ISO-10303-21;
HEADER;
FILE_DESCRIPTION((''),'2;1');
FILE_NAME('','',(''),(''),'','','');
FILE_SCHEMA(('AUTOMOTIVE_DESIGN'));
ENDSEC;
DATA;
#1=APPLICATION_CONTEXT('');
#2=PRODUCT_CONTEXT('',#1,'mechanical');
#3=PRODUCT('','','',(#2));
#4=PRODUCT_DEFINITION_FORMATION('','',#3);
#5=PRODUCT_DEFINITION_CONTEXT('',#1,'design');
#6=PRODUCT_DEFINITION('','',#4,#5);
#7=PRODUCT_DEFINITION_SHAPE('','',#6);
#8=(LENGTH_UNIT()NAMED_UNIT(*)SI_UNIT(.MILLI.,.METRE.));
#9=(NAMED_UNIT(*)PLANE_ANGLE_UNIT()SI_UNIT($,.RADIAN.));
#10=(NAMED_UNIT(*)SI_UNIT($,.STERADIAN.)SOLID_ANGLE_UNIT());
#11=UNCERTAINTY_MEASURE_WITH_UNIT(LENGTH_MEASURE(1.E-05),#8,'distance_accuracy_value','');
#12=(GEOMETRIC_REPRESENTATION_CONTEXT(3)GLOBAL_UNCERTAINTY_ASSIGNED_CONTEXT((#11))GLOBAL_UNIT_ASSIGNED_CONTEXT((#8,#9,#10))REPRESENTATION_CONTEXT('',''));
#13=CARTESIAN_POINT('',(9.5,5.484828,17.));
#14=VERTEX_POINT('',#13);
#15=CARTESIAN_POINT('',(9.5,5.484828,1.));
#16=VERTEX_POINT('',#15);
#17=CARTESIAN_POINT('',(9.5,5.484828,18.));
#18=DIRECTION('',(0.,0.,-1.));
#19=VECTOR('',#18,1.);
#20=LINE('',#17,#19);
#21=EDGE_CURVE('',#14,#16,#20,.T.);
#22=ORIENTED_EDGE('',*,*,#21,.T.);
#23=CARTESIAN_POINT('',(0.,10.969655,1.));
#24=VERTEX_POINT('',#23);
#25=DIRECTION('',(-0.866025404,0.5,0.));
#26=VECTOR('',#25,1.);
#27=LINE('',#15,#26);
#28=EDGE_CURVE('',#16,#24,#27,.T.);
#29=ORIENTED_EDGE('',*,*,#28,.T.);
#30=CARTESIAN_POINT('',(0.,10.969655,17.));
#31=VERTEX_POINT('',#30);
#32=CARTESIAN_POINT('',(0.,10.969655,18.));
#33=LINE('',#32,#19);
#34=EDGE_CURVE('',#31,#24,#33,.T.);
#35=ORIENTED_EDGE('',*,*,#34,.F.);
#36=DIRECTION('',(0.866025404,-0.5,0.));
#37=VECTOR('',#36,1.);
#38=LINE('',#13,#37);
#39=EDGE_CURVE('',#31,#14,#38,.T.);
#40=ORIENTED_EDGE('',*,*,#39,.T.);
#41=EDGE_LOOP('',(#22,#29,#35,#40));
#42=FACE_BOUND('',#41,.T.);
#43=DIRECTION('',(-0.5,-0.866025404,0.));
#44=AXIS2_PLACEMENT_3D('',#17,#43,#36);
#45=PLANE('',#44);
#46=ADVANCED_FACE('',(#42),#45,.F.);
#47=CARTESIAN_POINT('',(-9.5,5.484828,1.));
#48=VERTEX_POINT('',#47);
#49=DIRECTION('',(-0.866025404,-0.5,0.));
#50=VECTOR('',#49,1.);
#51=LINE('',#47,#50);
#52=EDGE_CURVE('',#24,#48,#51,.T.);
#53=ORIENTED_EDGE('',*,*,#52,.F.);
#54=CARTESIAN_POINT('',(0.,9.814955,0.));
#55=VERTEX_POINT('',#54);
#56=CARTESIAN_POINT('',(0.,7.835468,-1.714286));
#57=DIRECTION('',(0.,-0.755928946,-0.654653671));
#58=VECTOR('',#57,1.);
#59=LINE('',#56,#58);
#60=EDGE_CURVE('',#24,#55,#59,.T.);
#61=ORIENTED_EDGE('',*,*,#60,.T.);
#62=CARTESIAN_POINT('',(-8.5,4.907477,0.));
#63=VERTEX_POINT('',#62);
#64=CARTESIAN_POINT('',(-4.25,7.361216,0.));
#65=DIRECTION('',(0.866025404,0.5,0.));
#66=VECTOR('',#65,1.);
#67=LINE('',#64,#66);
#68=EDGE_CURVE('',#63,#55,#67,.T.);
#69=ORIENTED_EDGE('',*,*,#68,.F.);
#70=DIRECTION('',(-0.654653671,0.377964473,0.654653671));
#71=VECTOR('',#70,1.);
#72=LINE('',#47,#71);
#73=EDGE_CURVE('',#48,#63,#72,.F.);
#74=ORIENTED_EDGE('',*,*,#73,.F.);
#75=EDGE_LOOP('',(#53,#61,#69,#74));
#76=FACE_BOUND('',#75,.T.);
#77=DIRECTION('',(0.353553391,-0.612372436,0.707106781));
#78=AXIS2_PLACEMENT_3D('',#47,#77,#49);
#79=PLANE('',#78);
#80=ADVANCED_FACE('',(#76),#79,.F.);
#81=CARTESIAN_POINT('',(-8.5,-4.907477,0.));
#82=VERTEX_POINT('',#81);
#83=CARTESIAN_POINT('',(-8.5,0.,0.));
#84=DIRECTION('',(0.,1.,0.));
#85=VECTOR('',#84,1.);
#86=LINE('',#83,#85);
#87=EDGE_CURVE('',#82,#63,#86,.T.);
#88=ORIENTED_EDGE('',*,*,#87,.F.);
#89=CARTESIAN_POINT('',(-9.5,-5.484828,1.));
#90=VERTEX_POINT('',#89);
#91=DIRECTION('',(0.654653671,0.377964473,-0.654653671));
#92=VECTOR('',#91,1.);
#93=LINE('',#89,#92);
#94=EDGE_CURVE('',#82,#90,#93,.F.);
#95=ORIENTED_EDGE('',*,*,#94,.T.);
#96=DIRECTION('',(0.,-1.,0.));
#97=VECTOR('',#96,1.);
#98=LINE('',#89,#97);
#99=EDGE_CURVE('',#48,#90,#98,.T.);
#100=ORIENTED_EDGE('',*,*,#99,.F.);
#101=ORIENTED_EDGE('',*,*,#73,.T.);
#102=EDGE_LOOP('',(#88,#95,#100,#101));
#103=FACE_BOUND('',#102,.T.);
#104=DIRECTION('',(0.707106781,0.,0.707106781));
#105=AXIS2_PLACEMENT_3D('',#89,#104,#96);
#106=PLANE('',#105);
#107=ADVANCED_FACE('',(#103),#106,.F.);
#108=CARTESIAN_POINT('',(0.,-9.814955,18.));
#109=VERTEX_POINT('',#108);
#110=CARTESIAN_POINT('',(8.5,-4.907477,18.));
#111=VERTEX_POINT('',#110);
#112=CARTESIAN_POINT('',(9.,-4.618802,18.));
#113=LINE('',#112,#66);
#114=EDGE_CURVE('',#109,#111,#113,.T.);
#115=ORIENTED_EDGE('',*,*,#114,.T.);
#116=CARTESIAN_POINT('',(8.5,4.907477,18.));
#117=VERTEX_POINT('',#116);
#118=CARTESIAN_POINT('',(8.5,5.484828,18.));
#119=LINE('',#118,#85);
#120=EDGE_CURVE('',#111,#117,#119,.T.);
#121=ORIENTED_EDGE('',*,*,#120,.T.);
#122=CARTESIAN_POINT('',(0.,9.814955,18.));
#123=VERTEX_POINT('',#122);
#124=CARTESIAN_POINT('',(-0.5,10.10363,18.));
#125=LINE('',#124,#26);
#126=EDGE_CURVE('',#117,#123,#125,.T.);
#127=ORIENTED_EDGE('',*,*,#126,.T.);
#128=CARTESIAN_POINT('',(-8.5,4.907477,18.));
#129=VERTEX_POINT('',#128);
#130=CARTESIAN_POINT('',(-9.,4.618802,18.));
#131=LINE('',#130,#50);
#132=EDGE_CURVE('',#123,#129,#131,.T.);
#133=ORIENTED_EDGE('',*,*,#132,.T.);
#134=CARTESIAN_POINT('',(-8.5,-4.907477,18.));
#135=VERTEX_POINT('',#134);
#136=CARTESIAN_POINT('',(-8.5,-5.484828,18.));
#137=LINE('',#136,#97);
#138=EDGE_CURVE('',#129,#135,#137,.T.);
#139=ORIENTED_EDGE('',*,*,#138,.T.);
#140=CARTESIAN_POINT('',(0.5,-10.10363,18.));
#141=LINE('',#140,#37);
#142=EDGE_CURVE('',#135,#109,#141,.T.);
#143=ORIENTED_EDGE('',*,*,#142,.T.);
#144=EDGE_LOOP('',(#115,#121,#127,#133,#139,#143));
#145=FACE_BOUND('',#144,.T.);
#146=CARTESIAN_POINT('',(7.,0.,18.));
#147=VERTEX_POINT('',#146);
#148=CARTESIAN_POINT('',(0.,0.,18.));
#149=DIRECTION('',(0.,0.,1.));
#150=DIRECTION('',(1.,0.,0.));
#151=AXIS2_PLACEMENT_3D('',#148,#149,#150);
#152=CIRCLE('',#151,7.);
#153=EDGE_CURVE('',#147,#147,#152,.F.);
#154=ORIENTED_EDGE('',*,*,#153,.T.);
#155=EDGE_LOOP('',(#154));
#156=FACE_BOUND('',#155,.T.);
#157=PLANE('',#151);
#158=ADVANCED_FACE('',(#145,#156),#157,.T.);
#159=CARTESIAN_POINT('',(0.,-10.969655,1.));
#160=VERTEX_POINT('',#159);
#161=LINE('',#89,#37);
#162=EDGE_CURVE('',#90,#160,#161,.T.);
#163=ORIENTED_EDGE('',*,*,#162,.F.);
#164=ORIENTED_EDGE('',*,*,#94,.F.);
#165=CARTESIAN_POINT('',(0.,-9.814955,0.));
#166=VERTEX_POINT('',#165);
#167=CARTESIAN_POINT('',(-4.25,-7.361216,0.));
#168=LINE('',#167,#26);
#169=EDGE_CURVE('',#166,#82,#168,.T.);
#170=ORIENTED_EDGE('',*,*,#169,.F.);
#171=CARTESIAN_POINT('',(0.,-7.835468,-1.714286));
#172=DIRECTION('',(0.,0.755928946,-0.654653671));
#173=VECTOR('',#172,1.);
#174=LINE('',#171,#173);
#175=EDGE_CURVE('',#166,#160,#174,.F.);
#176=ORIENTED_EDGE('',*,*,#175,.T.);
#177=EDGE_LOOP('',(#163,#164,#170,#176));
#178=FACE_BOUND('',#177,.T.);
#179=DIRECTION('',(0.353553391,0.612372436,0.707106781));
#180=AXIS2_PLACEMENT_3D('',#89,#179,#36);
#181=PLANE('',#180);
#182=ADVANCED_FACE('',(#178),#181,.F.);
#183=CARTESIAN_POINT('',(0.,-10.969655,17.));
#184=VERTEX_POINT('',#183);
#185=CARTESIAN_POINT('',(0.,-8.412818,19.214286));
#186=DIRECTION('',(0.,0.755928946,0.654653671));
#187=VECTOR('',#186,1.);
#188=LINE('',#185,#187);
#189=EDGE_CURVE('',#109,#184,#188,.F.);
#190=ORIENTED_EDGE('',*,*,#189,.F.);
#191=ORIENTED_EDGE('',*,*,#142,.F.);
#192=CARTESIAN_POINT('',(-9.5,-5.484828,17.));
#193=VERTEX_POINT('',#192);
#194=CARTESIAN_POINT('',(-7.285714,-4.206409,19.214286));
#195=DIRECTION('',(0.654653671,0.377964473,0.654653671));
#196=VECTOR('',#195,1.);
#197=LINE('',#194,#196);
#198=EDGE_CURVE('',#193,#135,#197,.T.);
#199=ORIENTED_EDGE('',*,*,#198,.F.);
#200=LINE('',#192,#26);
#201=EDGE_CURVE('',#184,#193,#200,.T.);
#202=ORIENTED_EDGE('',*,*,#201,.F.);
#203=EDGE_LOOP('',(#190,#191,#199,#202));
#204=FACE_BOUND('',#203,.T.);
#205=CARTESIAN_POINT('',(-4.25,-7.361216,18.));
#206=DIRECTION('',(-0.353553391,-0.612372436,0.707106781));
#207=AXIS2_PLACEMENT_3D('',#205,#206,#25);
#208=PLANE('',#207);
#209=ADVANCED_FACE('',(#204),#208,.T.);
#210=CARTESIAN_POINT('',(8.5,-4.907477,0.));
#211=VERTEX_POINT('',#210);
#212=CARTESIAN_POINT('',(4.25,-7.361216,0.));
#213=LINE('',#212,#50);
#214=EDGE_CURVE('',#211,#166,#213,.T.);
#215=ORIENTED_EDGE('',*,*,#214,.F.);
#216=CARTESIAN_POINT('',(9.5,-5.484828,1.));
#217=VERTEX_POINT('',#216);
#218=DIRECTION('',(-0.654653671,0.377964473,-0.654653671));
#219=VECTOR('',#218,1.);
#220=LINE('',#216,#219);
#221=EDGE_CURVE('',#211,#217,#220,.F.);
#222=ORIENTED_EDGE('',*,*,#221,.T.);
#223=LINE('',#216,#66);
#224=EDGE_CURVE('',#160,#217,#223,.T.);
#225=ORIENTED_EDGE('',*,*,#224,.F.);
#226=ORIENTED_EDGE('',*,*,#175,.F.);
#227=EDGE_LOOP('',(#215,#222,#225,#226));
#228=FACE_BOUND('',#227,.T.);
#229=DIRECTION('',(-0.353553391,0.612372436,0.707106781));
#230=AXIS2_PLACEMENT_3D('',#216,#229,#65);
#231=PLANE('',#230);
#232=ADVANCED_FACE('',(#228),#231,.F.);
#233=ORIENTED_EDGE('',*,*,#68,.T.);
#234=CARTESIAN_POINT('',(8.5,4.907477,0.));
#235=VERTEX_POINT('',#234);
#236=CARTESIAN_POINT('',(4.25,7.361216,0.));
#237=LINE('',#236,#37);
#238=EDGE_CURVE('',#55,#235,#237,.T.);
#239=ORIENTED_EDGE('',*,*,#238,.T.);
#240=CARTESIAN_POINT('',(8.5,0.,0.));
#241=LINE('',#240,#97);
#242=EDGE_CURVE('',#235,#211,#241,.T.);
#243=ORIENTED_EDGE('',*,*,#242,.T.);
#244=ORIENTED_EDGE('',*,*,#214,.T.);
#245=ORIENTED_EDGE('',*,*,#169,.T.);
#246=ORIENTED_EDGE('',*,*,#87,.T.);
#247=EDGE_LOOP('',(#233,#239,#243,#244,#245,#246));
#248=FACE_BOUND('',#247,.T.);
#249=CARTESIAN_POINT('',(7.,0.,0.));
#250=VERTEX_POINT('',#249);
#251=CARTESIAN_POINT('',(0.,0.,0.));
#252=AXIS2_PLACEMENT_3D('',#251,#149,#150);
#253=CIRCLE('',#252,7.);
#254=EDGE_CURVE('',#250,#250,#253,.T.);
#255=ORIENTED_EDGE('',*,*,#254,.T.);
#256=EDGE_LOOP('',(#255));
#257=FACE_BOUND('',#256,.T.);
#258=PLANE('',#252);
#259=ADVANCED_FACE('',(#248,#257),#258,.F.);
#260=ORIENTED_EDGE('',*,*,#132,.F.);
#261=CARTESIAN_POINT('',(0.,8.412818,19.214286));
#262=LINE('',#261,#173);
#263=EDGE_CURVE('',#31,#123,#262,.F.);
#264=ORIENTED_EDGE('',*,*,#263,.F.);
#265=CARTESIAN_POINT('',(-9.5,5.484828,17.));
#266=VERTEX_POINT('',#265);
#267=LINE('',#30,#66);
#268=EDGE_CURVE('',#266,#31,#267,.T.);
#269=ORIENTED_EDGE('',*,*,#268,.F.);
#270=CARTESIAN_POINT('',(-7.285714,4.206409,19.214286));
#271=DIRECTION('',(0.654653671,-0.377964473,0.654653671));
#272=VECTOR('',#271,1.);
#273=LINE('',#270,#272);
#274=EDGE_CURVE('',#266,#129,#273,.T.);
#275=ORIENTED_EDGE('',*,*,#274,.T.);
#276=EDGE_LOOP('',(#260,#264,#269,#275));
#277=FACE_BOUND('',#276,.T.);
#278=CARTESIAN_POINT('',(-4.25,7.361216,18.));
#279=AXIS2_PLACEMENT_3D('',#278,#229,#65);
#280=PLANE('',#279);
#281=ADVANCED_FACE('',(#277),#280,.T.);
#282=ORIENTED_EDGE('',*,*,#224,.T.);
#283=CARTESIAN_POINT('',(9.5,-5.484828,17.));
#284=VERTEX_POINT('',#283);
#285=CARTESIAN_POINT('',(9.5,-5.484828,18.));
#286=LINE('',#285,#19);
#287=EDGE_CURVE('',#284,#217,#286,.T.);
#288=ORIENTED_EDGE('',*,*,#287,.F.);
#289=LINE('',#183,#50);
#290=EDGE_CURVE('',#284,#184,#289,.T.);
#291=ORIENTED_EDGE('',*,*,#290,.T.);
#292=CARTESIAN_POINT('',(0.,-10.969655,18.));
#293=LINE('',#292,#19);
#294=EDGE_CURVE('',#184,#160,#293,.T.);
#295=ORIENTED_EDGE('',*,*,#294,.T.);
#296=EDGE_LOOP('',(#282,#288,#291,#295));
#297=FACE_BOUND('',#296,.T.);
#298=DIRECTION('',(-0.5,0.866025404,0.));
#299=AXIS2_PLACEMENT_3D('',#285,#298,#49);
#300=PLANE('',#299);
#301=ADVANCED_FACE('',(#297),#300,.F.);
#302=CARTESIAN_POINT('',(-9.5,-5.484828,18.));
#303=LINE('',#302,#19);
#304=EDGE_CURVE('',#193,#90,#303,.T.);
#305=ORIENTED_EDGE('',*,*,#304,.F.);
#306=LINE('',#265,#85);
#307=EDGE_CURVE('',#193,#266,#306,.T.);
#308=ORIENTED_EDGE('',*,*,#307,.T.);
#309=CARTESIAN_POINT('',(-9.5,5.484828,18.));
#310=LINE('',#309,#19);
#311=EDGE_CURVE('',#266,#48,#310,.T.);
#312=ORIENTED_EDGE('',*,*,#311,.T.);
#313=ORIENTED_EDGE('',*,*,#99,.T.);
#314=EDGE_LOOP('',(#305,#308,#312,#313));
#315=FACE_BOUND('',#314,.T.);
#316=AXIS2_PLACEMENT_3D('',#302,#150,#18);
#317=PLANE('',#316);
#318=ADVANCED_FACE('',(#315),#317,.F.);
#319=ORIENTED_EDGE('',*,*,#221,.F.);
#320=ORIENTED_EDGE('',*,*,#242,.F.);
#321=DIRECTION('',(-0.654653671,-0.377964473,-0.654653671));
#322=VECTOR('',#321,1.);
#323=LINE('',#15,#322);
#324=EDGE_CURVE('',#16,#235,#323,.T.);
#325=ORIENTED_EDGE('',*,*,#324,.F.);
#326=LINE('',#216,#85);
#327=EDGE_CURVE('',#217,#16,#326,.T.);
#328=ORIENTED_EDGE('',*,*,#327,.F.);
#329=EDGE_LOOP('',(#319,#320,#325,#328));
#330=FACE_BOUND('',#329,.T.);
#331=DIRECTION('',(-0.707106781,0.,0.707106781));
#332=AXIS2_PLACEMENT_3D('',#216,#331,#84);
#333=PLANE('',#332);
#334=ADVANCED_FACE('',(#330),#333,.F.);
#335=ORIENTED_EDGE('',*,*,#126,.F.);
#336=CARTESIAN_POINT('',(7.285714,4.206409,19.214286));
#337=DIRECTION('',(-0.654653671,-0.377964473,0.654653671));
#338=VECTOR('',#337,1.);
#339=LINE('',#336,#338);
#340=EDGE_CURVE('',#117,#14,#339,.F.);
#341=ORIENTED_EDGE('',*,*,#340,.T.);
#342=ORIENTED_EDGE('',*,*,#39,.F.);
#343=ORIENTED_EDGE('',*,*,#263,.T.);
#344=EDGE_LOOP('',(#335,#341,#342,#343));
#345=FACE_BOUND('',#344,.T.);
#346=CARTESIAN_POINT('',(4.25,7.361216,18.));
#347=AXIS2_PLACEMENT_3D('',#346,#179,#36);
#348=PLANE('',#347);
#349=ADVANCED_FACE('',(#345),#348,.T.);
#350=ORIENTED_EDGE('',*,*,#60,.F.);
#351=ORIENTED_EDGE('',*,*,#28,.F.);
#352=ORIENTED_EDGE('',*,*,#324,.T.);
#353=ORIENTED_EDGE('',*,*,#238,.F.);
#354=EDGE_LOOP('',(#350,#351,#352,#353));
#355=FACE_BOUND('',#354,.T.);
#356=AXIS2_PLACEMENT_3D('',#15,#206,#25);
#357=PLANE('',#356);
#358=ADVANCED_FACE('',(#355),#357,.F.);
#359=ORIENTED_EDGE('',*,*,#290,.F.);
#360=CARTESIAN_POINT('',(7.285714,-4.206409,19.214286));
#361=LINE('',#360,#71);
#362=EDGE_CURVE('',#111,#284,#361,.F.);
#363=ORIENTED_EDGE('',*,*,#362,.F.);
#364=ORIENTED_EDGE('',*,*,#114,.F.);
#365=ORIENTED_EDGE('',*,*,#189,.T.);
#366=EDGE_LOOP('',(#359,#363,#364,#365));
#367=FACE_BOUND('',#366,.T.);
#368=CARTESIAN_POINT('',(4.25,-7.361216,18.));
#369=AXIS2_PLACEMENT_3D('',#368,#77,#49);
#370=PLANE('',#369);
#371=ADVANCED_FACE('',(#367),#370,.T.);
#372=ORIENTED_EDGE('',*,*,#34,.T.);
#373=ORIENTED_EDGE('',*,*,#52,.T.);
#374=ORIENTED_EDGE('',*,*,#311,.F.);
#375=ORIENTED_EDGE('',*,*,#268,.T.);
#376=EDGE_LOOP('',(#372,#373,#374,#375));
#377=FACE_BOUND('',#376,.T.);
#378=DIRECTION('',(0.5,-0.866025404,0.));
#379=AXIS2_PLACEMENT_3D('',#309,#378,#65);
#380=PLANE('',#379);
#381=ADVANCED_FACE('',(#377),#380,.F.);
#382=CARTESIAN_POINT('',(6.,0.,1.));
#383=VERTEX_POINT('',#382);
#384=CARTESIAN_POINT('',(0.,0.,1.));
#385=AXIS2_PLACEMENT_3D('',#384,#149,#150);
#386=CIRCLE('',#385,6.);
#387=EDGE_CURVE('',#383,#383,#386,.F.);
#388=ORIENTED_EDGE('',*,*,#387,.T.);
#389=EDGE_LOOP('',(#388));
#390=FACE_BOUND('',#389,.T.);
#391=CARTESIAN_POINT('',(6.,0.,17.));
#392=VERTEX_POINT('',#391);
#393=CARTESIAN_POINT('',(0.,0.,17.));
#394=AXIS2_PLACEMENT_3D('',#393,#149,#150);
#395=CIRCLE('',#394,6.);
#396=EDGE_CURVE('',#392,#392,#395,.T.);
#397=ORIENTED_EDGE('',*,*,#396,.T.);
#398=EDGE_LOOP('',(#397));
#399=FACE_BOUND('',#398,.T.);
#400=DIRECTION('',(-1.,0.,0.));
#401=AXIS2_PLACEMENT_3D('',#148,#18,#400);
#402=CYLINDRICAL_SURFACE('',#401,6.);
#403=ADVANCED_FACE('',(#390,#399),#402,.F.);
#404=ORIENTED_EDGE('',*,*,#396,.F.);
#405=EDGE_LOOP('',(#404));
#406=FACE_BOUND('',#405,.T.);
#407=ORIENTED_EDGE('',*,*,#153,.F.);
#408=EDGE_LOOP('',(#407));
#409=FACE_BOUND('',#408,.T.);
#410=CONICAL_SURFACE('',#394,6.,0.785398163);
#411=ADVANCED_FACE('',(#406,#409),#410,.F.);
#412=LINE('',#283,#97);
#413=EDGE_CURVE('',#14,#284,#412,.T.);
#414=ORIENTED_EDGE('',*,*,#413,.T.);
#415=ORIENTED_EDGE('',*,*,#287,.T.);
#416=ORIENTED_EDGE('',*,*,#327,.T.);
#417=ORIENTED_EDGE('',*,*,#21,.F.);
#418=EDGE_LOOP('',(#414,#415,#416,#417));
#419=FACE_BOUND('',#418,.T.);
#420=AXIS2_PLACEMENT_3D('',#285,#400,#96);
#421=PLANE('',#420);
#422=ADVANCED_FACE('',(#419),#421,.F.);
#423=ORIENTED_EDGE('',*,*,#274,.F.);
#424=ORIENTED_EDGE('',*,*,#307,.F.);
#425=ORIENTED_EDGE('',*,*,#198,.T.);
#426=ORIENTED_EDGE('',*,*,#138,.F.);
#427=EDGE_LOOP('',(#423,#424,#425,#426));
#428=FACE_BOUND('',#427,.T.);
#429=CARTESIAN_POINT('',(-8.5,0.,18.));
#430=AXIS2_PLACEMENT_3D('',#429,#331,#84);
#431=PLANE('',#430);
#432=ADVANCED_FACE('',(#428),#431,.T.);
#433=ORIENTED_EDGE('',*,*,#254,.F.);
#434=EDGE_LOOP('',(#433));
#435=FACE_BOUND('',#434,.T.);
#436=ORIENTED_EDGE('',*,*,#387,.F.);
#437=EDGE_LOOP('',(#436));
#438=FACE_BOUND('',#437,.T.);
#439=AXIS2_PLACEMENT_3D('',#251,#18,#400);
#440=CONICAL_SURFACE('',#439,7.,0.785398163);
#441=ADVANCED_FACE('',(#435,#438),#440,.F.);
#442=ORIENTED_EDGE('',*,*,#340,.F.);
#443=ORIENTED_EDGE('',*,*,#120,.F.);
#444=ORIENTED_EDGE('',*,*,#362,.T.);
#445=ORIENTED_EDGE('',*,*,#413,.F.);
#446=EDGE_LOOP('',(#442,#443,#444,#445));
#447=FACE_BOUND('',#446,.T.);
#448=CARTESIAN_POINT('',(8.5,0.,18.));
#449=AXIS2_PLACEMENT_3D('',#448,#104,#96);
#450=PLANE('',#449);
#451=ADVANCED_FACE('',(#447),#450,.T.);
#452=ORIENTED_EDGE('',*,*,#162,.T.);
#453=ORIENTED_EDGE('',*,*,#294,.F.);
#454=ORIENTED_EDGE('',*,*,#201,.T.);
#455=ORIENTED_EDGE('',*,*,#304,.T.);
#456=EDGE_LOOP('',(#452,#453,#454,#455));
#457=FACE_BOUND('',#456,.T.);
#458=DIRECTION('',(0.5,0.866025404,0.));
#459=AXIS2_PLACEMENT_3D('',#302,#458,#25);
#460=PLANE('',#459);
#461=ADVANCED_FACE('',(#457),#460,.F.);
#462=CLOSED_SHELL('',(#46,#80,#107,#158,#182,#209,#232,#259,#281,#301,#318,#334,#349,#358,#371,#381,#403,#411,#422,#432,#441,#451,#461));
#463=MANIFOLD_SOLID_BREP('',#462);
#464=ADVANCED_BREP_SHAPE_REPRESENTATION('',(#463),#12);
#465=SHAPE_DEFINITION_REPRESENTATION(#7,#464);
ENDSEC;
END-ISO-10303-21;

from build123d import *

# Parameters (mm, degrees)
ESQUISSE1_R        = 6
BOSS_EXTRU_1_DEPTH = 18
CHANFREIN1_SIZE    = 1


with BuildPart() as part:
    # Esquisse1 → Boss.-Extru.1 (new body)
    with BuildSketch(Plane.XY):
        Polygon((9.5, -5.484827557), (9.5, 5.484827557), (0, 10.969655115), (-9.5, 5.484827557), (-9.5, -5.484827557), (0, -10.969655115), align=None)
        Circle(ESQUISSE1_R, mode=Mode.SUBTRACT)
    extrude(amount=BOSS_EXTRU_1_DEPTH)

    # Chanfrein1
    chanfrein1_edges = [part.edges().sort_by_distance(p)[0] for p in [
        (-4.75, -8.227241336, 18),
        (4.75, -8.227241336, 18),
        (9.5, 0, 18),
        (-6, 0, 0),
        (-6, 0, 18),
        (4.75, 8.227241336, 18),
        (-4.75, 8.227241336, 18),
        (4.75, 8.227241336, 0),
        (9.5, 0, 0),
        (4.75, -8.227241336, 0),
        (-9.5, 0, 18),
        (-4.75, -8.227241336, 0),
        (-9.5, 0, 0),
        (-4.75, 8.227241336, 0),
    ]]
    chamfer(chanfrein1_edges, length=CHANFREIN1_SIZE)


solid = part.part
